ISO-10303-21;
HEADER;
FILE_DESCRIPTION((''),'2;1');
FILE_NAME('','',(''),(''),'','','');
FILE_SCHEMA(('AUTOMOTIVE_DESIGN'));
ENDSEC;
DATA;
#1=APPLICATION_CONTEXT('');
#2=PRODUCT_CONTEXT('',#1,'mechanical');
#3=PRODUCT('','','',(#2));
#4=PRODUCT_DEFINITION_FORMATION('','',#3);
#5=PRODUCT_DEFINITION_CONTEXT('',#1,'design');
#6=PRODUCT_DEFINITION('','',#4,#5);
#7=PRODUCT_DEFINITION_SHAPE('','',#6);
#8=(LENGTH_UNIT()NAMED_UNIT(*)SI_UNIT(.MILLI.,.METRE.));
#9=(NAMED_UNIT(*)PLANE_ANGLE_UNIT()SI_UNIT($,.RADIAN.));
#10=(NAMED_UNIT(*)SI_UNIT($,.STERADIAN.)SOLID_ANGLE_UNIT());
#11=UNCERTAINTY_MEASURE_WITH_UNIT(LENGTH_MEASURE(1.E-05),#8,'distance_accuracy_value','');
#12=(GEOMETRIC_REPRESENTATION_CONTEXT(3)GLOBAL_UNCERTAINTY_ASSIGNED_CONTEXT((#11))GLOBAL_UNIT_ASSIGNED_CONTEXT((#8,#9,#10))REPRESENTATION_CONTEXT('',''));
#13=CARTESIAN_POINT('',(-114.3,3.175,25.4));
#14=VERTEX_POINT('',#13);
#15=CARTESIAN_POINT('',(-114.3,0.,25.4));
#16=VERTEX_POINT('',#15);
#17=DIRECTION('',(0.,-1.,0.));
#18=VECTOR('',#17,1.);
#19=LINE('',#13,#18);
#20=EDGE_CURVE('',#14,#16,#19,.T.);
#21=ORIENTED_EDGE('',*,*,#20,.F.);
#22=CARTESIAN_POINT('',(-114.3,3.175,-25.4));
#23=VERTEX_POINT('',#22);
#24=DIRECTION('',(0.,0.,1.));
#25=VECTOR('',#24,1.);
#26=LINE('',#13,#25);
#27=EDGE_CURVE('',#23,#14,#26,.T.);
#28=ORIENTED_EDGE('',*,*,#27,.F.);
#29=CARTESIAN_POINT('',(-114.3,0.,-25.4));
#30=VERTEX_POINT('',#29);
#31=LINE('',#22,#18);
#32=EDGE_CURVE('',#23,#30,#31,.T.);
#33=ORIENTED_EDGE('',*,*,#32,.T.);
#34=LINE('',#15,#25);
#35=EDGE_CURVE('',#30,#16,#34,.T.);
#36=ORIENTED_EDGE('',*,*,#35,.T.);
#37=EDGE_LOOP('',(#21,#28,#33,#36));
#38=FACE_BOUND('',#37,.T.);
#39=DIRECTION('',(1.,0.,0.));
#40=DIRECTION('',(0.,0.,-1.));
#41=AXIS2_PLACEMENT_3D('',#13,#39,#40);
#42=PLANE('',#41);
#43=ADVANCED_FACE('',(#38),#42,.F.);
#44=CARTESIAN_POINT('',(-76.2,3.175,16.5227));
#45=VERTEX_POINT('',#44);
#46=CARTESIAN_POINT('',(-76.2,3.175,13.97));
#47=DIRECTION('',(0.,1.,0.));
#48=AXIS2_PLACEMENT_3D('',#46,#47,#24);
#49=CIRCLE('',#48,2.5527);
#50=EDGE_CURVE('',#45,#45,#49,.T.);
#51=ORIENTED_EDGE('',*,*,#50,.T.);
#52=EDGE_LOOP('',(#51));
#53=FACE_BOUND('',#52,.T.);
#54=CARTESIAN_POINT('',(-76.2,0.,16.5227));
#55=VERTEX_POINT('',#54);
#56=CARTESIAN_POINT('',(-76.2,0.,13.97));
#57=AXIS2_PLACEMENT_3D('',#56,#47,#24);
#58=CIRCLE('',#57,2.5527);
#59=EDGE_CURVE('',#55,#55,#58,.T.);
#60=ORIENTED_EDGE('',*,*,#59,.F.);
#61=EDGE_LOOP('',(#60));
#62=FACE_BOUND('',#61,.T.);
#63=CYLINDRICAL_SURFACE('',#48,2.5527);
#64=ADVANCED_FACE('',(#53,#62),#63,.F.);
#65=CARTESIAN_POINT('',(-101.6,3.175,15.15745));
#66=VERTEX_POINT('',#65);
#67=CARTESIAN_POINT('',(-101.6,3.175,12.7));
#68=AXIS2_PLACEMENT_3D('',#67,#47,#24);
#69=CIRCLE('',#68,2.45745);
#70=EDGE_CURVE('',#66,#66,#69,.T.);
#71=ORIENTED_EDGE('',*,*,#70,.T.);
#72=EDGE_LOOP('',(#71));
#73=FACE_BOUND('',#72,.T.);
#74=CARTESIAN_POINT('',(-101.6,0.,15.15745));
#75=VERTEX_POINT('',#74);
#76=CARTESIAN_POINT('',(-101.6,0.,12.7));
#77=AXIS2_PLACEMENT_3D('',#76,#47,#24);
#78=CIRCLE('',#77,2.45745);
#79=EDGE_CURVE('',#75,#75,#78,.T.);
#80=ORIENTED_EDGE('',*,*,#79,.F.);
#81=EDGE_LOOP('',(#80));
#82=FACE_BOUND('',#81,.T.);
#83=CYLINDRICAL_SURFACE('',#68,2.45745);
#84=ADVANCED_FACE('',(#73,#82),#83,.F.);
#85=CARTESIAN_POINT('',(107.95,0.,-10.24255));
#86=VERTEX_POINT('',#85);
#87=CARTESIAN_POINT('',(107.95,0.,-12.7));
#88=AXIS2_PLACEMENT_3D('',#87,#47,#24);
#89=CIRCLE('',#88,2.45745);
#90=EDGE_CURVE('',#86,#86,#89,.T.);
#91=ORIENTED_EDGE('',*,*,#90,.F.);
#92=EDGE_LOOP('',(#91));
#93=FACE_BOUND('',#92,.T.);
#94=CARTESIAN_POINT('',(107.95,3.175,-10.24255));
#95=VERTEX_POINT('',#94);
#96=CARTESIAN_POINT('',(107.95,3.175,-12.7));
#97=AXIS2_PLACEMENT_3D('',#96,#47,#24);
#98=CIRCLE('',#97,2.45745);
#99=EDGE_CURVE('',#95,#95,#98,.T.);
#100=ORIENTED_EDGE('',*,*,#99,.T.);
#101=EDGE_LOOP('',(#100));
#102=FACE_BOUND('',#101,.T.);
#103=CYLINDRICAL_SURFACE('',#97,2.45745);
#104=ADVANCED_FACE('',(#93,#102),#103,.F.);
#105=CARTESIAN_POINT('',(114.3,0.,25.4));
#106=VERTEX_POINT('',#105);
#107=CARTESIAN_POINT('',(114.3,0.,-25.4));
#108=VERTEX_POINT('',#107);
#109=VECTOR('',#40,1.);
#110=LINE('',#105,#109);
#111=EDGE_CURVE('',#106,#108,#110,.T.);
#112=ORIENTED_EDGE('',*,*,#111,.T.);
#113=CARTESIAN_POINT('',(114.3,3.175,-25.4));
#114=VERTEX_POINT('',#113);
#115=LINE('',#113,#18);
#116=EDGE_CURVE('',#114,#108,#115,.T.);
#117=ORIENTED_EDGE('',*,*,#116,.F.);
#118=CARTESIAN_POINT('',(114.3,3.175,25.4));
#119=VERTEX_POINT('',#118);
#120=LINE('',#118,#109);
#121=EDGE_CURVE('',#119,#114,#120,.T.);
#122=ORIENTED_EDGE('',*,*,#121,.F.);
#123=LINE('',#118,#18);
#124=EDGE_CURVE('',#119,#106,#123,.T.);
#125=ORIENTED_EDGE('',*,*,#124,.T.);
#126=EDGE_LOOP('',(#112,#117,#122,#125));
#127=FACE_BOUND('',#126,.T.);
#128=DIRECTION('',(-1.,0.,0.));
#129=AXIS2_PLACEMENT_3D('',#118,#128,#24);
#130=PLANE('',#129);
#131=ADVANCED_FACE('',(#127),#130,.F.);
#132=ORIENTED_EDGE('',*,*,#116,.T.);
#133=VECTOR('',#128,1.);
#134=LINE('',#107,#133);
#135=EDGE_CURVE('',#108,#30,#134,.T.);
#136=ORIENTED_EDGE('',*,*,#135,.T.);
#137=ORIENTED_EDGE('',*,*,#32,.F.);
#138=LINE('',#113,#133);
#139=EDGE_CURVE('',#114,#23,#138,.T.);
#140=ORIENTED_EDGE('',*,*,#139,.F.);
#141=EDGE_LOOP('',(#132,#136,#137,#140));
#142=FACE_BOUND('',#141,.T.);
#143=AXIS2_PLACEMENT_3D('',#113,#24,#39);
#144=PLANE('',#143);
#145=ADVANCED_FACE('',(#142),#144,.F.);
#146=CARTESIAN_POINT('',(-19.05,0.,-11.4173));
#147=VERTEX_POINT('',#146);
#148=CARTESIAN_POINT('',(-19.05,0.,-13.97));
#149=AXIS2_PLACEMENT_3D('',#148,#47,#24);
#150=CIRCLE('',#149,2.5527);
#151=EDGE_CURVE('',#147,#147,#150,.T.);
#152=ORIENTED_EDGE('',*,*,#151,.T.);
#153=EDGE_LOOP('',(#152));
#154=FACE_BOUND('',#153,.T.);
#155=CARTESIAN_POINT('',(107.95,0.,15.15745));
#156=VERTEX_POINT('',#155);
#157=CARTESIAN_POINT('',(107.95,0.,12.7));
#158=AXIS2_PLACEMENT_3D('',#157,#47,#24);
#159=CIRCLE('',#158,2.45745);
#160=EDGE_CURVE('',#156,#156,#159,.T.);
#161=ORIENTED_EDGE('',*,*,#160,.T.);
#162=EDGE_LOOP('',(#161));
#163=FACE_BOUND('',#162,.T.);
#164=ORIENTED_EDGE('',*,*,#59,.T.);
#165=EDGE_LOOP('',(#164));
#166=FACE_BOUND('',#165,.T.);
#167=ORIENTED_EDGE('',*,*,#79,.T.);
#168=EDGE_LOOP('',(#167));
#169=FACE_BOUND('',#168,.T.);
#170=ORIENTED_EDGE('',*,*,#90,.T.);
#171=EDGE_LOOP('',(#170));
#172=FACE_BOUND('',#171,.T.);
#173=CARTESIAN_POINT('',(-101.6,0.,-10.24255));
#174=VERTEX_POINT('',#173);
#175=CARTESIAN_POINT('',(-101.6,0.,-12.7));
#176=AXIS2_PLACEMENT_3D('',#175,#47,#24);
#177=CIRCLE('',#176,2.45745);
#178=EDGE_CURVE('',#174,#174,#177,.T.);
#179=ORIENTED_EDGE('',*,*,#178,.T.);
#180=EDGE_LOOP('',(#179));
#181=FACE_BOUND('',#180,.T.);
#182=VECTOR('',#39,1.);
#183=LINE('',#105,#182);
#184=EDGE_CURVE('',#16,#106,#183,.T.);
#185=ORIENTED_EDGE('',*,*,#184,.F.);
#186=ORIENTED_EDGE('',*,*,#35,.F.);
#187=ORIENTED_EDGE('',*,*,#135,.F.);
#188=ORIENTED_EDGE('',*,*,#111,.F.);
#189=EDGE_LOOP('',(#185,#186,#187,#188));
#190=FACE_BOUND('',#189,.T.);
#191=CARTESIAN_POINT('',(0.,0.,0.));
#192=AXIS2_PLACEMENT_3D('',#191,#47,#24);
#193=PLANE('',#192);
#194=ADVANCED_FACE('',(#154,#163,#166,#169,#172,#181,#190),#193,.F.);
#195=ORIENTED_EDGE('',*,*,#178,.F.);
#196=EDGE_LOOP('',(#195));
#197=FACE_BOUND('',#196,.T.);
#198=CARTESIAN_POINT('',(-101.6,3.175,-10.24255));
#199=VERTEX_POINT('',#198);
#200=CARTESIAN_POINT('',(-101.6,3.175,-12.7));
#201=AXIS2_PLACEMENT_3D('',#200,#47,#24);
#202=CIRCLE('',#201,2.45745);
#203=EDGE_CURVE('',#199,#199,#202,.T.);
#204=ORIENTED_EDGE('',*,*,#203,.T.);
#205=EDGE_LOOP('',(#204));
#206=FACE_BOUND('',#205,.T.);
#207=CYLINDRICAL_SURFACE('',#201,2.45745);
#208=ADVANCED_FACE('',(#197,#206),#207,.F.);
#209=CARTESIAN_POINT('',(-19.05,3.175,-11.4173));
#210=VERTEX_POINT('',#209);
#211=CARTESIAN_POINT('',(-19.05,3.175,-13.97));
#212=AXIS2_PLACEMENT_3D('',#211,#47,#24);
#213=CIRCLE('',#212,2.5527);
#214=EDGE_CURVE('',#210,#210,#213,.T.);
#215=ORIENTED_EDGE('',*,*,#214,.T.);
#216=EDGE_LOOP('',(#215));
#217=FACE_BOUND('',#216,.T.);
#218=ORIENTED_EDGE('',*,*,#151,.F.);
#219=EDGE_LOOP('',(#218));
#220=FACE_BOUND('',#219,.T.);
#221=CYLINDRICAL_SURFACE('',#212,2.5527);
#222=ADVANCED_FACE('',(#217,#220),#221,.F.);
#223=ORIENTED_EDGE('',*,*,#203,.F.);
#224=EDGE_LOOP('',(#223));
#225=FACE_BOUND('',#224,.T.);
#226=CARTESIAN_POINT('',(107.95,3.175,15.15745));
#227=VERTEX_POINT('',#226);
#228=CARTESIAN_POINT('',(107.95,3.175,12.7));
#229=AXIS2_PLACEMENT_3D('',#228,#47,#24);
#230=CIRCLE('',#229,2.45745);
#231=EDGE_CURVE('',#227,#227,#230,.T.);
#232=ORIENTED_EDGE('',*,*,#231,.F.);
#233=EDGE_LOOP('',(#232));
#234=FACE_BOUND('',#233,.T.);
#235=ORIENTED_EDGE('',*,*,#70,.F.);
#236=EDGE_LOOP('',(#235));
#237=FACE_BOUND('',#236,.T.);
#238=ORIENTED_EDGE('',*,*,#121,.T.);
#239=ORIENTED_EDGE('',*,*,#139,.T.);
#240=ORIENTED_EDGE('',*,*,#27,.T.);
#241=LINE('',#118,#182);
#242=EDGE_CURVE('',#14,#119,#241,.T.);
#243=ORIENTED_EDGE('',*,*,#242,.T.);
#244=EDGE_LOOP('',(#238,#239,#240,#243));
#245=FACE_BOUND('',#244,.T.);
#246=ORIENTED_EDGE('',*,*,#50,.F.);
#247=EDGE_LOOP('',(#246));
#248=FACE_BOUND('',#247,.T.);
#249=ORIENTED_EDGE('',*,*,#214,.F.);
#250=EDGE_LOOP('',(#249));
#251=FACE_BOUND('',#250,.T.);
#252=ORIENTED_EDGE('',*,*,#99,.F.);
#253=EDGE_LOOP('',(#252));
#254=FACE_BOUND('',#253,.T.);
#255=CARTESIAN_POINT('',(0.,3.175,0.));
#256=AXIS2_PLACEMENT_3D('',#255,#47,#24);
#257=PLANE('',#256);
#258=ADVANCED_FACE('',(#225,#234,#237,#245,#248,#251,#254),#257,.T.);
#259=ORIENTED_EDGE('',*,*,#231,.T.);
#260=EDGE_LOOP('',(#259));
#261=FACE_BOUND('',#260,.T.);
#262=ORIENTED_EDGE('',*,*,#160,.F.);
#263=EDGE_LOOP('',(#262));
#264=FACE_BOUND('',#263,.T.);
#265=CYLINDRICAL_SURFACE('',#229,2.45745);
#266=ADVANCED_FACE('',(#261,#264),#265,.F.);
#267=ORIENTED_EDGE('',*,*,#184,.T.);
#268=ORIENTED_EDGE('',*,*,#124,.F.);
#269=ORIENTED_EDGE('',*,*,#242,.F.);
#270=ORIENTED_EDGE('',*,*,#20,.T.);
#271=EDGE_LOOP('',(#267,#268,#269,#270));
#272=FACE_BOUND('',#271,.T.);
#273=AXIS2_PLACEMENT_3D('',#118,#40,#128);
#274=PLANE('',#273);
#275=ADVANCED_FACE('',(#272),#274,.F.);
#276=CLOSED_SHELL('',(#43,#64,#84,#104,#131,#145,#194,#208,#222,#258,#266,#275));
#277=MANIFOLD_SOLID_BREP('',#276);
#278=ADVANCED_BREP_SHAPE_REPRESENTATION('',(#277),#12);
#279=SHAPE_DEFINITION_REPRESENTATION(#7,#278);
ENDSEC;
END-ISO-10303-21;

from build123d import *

# Parameters (mm, degrees)
SKETCH1_W                    = 228.6
SKETCH1_H                    = 50.8
BOSS_EXTRUDE1_DEPTH          = 3.175
F_10_0_1935_DIAMETER_HOLE1_D = 4.9149
F_1_4_20_TAPPED_HOLE1_D      = 5.1054


with BuildPart() as part:
    # Sketch1 → Boss-Extrude1 (new body)
    with BuildSketch(Plane(origin=(0, 0, 0), x_dir=(1, 0, 0), z_dir=(0, 1, 0))):
        Rectangle(SKETCH1_W, SKETCH1_H)
    extrude(amount=BOSS_EXTRUDE1_DEPTH)

    # #10 (0.1935) Diameter Hole1 (through all)
    with Locations(Plane(origin=(0, 3.175, 0), x_dir=(1, 0, 0), z_dir=(0, 1, 0))):
        with Locations((107.95, 12.7), (-101.6, -12.7), (-101.6, 12.7), (107.95, -12.7)):
            Hole(F_10_0_1935_DIAMETER_HOLE1_D / 2)

    # 1/4-20 Tapped Hole1 (through all)
    with Locations(Plane(origin=(0, 3.175, 0), x_dir=(1, 0, 0), z_dir=(0, 1, 0))):
        with Locations((-76.2, -13.97), (-19.05, 13.97)):
            Hole(F_1_4_20_TAPPED_HOLE1_D / 2)


solid = part.part
